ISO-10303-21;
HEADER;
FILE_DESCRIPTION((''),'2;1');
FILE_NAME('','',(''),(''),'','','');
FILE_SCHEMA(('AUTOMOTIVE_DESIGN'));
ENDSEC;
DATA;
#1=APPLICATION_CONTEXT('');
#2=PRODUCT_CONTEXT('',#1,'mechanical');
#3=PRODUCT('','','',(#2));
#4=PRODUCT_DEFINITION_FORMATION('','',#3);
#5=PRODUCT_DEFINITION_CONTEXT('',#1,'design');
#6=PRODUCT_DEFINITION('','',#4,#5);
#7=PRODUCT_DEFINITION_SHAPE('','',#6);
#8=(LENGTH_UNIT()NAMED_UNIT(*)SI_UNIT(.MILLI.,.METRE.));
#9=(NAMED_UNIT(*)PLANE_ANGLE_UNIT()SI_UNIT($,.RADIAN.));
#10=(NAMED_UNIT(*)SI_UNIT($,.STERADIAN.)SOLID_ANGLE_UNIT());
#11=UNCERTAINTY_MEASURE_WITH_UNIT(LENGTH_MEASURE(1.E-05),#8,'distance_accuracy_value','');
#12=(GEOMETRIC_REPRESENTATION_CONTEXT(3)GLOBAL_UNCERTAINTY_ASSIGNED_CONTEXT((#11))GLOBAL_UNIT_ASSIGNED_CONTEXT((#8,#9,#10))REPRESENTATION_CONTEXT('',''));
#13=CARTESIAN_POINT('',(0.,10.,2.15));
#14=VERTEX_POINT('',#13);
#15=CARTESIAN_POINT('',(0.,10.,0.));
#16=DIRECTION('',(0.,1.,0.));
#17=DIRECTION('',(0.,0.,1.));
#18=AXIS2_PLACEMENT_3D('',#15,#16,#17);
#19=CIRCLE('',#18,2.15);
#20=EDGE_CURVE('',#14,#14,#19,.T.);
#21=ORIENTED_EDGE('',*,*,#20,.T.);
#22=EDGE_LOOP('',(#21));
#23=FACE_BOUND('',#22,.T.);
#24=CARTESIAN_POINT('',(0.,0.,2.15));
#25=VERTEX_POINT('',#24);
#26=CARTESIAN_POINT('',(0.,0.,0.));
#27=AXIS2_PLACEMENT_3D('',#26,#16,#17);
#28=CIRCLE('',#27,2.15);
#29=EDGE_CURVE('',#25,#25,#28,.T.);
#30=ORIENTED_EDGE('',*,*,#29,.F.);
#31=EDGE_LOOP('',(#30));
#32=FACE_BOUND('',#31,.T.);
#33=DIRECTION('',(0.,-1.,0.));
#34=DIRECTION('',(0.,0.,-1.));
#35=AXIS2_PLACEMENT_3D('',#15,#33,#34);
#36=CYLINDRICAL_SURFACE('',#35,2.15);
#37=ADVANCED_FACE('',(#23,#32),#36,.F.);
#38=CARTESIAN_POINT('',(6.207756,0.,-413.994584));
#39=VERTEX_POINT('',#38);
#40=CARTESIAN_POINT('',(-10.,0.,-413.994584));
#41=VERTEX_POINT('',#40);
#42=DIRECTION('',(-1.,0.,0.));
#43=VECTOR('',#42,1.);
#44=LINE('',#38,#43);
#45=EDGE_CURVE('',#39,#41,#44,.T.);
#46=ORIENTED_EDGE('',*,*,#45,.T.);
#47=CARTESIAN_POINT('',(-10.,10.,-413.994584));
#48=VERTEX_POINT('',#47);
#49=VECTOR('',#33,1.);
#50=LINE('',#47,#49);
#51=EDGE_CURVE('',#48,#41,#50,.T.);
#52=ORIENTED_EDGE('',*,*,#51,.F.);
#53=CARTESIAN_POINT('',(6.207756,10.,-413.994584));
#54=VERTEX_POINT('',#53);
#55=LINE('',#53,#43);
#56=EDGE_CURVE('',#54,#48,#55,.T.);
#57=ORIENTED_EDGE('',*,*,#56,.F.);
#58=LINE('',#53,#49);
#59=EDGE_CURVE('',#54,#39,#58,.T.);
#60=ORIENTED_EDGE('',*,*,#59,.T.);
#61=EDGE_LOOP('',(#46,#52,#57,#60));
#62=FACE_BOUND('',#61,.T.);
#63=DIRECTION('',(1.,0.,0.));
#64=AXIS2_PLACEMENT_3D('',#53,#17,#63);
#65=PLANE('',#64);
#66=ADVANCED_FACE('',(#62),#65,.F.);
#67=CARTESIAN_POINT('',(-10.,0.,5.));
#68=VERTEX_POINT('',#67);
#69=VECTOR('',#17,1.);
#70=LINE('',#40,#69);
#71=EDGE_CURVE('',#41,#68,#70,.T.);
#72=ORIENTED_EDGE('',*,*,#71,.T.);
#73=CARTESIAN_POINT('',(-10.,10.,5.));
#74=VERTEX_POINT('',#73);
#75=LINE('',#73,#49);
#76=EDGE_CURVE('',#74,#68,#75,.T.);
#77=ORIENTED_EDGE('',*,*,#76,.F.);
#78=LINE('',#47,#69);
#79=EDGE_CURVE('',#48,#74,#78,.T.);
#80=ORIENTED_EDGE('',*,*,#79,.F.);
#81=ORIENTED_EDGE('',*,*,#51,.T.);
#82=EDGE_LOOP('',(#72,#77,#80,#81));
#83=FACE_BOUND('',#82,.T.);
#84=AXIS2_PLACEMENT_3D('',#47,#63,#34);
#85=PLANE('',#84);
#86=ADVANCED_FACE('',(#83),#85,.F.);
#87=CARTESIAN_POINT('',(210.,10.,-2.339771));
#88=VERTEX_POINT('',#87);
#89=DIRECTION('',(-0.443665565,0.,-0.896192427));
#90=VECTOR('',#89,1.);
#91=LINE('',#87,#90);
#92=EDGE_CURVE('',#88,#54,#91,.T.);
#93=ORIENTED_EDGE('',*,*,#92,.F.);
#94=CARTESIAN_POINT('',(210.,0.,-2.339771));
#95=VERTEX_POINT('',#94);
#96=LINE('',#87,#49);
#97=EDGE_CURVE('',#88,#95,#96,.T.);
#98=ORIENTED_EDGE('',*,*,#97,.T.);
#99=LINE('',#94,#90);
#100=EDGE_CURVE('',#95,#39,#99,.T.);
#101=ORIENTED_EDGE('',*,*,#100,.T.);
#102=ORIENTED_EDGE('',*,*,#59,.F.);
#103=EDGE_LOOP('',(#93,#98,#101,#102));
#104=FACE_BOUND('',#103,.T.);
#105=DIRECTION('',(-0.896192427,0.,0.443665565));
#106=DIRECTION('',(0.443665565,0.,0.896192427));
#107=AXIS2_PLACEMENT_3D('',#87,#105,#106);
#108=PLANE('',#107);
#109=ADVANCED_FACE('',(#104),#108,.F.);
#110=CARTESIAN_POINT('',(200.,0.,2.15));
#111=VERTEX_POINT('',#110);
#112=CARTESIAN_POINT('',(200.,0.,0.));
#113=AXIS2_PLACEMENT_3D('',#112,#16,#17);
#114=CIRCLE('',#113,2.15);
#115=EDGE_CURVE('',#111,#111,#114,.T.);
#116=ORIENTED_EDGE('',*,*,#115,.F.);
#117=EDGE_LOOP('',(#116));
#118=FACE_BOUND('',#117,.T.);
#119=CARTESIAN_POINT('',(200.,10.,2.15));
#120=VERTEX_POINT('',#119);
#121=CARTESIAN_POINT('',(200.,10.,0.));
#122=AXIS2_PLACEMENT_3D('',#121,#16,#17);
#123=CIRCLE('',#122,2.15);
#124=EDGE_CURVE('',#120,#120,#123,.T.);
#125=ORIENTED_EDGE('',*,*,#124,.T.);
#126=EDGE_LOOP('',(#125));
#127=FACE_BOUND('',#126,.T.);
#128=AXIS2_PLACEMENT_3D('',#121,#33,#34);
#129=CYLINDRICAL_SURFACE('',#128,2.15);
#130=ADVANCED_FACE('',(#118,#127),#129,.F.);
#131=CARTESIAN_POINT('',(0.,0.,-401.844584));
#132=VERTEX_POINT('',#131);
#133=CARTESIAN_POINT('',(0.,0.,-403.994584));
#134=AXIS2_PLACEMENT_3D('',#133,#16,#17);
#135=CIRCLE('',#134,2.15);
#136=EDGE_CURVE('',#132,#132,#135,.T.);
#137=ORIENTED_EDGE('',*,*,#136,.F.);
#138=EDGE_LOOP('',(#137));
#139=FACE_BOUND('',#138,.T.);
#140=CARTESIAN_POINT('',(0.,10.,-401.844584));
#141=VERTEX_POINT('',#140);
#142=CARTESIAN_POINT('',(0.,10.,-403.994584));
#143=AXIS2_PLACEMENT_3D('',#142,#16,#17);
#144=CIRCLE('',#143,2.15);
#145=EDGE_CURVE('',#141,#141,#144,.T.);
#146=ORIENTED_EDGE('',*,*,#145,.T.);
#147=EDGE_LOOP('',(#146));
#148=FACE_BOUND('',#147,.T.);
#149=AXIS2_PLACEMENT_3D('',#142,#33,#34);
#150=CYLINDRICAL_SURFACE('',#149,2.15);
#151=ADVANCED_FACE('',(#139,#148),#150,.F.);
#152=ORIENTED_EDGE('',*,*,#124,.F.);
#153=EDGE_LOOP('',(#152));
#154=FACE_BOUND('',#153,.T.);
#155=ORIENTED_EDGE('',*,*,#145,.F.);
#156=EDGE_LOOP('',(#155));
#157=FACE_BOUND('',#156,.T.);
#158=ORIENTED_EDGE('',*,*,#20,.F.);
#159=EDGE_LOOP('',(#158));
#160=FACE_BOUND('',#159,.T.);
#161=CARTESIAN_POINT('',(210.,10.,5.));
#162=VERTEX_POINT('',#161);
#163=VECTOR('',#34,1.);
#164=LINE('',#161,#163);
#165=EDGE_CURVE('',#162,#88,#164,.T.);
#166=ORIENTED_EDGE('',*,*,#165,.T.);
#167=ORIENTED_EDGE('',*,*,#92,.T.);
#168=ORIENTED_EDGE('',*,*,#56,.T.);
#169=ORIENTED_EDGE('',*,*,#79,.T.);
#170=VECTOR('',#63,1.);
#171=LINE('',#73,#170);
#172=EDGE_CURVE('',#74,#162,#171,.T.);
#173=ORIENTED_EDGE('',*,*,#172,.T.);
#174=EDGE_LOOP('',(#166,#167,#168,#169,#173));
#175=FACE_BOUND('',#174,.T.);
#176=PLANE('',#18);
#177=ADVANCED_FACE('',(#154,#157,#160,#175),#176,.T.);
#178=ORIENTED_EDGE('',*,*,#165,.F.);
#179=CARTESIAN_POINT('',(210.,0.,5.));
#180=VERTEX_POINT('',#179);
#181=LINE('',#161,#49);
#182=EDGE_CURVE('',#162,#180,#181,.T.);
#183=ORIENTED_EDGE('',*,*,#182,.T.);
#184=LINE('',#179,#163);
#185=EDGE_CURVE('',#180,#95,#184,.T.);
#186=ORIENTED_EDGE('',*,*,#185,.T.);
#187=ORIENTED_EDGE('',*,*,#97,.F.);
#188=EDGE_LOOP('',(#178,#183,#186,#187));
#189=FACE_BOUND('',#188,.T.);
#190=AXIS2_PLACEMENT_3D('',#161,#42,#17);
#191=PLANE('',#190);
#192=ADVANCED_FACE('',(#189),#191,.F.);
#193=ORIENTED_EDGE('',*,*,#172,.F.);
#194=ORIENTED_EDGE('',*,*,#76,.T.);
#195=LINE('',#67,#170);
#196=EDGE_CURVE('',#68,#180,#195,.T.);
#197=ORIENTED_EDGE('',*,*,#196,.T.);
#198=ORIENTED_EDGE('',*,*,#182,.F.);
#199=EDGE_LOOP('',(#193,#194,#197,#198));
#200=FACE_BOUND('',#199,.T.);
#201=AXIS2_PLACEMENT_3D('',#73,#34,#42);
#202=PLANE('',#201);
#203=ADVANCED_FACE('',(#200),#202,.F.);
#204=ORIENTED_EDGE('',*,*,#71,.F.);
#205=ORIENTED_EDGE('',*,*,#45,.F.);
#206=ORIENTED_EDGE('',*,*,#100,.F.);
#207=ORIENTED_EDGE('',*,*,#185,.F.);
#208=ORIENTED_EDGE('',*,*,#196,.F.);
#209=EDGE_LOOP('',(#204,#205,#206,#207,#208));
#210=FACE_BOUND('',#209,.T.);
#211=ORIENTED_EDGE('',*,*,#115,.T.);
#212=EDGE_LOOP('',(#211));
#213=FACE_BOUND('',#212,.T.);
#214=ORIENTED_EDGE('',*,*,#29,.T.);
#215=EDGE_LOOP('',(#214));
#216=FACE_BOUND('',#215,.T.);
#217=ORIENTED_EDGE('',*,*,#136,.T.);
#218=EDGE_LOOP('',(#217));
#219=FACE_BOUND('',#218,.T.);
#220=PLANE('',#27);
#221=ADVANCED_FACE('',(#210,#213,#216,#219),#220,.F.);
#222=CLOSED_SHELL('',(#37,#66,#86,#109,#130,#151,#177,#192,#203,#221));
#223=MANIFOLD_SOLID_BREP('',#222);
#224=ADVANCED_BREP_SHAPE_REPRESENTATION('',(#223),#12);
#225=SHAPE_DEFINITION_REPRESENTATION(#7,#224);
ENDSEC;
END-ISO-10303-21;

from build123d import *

# Parameters (mm, degrees)
SKETCH1_R           = 2.15
BOSS_EXTRUDE1_DEPTH = 10


with BuildPart() as part:
    # Sketch1 → Boss-Extrude1 (new body)
    with BuildSketch(Plane(origin=(0, 0, 0), x_dir=(1, 0, 0), z_dir=(0, 1, 0))):
        Polygon((-10, 413.994584246), (-10, -5), (210, -5), (210, 2.339770788), (6.207756484, 413.994584246), align=None)
        with Locations(Location((0, 403.994584246, 0), (0, 0, 270))):
            Circle(SKETCH1_R, mode=Mode.SUBTRACT)
        with Locations(Location((0, 0, 0), (0, 0, 270))):
            Circle(SKETCH1_R, mode=Mode.SUBTRACT)
        with Locations(Location((200, 0, 0), (0, 0, 270))):
            Circle(SKETCH1_R, mode=Mode.SUBTRACT)
    extrude(amount=BOSS_EXTRUDE1_DEPTH)


solid = part.part
